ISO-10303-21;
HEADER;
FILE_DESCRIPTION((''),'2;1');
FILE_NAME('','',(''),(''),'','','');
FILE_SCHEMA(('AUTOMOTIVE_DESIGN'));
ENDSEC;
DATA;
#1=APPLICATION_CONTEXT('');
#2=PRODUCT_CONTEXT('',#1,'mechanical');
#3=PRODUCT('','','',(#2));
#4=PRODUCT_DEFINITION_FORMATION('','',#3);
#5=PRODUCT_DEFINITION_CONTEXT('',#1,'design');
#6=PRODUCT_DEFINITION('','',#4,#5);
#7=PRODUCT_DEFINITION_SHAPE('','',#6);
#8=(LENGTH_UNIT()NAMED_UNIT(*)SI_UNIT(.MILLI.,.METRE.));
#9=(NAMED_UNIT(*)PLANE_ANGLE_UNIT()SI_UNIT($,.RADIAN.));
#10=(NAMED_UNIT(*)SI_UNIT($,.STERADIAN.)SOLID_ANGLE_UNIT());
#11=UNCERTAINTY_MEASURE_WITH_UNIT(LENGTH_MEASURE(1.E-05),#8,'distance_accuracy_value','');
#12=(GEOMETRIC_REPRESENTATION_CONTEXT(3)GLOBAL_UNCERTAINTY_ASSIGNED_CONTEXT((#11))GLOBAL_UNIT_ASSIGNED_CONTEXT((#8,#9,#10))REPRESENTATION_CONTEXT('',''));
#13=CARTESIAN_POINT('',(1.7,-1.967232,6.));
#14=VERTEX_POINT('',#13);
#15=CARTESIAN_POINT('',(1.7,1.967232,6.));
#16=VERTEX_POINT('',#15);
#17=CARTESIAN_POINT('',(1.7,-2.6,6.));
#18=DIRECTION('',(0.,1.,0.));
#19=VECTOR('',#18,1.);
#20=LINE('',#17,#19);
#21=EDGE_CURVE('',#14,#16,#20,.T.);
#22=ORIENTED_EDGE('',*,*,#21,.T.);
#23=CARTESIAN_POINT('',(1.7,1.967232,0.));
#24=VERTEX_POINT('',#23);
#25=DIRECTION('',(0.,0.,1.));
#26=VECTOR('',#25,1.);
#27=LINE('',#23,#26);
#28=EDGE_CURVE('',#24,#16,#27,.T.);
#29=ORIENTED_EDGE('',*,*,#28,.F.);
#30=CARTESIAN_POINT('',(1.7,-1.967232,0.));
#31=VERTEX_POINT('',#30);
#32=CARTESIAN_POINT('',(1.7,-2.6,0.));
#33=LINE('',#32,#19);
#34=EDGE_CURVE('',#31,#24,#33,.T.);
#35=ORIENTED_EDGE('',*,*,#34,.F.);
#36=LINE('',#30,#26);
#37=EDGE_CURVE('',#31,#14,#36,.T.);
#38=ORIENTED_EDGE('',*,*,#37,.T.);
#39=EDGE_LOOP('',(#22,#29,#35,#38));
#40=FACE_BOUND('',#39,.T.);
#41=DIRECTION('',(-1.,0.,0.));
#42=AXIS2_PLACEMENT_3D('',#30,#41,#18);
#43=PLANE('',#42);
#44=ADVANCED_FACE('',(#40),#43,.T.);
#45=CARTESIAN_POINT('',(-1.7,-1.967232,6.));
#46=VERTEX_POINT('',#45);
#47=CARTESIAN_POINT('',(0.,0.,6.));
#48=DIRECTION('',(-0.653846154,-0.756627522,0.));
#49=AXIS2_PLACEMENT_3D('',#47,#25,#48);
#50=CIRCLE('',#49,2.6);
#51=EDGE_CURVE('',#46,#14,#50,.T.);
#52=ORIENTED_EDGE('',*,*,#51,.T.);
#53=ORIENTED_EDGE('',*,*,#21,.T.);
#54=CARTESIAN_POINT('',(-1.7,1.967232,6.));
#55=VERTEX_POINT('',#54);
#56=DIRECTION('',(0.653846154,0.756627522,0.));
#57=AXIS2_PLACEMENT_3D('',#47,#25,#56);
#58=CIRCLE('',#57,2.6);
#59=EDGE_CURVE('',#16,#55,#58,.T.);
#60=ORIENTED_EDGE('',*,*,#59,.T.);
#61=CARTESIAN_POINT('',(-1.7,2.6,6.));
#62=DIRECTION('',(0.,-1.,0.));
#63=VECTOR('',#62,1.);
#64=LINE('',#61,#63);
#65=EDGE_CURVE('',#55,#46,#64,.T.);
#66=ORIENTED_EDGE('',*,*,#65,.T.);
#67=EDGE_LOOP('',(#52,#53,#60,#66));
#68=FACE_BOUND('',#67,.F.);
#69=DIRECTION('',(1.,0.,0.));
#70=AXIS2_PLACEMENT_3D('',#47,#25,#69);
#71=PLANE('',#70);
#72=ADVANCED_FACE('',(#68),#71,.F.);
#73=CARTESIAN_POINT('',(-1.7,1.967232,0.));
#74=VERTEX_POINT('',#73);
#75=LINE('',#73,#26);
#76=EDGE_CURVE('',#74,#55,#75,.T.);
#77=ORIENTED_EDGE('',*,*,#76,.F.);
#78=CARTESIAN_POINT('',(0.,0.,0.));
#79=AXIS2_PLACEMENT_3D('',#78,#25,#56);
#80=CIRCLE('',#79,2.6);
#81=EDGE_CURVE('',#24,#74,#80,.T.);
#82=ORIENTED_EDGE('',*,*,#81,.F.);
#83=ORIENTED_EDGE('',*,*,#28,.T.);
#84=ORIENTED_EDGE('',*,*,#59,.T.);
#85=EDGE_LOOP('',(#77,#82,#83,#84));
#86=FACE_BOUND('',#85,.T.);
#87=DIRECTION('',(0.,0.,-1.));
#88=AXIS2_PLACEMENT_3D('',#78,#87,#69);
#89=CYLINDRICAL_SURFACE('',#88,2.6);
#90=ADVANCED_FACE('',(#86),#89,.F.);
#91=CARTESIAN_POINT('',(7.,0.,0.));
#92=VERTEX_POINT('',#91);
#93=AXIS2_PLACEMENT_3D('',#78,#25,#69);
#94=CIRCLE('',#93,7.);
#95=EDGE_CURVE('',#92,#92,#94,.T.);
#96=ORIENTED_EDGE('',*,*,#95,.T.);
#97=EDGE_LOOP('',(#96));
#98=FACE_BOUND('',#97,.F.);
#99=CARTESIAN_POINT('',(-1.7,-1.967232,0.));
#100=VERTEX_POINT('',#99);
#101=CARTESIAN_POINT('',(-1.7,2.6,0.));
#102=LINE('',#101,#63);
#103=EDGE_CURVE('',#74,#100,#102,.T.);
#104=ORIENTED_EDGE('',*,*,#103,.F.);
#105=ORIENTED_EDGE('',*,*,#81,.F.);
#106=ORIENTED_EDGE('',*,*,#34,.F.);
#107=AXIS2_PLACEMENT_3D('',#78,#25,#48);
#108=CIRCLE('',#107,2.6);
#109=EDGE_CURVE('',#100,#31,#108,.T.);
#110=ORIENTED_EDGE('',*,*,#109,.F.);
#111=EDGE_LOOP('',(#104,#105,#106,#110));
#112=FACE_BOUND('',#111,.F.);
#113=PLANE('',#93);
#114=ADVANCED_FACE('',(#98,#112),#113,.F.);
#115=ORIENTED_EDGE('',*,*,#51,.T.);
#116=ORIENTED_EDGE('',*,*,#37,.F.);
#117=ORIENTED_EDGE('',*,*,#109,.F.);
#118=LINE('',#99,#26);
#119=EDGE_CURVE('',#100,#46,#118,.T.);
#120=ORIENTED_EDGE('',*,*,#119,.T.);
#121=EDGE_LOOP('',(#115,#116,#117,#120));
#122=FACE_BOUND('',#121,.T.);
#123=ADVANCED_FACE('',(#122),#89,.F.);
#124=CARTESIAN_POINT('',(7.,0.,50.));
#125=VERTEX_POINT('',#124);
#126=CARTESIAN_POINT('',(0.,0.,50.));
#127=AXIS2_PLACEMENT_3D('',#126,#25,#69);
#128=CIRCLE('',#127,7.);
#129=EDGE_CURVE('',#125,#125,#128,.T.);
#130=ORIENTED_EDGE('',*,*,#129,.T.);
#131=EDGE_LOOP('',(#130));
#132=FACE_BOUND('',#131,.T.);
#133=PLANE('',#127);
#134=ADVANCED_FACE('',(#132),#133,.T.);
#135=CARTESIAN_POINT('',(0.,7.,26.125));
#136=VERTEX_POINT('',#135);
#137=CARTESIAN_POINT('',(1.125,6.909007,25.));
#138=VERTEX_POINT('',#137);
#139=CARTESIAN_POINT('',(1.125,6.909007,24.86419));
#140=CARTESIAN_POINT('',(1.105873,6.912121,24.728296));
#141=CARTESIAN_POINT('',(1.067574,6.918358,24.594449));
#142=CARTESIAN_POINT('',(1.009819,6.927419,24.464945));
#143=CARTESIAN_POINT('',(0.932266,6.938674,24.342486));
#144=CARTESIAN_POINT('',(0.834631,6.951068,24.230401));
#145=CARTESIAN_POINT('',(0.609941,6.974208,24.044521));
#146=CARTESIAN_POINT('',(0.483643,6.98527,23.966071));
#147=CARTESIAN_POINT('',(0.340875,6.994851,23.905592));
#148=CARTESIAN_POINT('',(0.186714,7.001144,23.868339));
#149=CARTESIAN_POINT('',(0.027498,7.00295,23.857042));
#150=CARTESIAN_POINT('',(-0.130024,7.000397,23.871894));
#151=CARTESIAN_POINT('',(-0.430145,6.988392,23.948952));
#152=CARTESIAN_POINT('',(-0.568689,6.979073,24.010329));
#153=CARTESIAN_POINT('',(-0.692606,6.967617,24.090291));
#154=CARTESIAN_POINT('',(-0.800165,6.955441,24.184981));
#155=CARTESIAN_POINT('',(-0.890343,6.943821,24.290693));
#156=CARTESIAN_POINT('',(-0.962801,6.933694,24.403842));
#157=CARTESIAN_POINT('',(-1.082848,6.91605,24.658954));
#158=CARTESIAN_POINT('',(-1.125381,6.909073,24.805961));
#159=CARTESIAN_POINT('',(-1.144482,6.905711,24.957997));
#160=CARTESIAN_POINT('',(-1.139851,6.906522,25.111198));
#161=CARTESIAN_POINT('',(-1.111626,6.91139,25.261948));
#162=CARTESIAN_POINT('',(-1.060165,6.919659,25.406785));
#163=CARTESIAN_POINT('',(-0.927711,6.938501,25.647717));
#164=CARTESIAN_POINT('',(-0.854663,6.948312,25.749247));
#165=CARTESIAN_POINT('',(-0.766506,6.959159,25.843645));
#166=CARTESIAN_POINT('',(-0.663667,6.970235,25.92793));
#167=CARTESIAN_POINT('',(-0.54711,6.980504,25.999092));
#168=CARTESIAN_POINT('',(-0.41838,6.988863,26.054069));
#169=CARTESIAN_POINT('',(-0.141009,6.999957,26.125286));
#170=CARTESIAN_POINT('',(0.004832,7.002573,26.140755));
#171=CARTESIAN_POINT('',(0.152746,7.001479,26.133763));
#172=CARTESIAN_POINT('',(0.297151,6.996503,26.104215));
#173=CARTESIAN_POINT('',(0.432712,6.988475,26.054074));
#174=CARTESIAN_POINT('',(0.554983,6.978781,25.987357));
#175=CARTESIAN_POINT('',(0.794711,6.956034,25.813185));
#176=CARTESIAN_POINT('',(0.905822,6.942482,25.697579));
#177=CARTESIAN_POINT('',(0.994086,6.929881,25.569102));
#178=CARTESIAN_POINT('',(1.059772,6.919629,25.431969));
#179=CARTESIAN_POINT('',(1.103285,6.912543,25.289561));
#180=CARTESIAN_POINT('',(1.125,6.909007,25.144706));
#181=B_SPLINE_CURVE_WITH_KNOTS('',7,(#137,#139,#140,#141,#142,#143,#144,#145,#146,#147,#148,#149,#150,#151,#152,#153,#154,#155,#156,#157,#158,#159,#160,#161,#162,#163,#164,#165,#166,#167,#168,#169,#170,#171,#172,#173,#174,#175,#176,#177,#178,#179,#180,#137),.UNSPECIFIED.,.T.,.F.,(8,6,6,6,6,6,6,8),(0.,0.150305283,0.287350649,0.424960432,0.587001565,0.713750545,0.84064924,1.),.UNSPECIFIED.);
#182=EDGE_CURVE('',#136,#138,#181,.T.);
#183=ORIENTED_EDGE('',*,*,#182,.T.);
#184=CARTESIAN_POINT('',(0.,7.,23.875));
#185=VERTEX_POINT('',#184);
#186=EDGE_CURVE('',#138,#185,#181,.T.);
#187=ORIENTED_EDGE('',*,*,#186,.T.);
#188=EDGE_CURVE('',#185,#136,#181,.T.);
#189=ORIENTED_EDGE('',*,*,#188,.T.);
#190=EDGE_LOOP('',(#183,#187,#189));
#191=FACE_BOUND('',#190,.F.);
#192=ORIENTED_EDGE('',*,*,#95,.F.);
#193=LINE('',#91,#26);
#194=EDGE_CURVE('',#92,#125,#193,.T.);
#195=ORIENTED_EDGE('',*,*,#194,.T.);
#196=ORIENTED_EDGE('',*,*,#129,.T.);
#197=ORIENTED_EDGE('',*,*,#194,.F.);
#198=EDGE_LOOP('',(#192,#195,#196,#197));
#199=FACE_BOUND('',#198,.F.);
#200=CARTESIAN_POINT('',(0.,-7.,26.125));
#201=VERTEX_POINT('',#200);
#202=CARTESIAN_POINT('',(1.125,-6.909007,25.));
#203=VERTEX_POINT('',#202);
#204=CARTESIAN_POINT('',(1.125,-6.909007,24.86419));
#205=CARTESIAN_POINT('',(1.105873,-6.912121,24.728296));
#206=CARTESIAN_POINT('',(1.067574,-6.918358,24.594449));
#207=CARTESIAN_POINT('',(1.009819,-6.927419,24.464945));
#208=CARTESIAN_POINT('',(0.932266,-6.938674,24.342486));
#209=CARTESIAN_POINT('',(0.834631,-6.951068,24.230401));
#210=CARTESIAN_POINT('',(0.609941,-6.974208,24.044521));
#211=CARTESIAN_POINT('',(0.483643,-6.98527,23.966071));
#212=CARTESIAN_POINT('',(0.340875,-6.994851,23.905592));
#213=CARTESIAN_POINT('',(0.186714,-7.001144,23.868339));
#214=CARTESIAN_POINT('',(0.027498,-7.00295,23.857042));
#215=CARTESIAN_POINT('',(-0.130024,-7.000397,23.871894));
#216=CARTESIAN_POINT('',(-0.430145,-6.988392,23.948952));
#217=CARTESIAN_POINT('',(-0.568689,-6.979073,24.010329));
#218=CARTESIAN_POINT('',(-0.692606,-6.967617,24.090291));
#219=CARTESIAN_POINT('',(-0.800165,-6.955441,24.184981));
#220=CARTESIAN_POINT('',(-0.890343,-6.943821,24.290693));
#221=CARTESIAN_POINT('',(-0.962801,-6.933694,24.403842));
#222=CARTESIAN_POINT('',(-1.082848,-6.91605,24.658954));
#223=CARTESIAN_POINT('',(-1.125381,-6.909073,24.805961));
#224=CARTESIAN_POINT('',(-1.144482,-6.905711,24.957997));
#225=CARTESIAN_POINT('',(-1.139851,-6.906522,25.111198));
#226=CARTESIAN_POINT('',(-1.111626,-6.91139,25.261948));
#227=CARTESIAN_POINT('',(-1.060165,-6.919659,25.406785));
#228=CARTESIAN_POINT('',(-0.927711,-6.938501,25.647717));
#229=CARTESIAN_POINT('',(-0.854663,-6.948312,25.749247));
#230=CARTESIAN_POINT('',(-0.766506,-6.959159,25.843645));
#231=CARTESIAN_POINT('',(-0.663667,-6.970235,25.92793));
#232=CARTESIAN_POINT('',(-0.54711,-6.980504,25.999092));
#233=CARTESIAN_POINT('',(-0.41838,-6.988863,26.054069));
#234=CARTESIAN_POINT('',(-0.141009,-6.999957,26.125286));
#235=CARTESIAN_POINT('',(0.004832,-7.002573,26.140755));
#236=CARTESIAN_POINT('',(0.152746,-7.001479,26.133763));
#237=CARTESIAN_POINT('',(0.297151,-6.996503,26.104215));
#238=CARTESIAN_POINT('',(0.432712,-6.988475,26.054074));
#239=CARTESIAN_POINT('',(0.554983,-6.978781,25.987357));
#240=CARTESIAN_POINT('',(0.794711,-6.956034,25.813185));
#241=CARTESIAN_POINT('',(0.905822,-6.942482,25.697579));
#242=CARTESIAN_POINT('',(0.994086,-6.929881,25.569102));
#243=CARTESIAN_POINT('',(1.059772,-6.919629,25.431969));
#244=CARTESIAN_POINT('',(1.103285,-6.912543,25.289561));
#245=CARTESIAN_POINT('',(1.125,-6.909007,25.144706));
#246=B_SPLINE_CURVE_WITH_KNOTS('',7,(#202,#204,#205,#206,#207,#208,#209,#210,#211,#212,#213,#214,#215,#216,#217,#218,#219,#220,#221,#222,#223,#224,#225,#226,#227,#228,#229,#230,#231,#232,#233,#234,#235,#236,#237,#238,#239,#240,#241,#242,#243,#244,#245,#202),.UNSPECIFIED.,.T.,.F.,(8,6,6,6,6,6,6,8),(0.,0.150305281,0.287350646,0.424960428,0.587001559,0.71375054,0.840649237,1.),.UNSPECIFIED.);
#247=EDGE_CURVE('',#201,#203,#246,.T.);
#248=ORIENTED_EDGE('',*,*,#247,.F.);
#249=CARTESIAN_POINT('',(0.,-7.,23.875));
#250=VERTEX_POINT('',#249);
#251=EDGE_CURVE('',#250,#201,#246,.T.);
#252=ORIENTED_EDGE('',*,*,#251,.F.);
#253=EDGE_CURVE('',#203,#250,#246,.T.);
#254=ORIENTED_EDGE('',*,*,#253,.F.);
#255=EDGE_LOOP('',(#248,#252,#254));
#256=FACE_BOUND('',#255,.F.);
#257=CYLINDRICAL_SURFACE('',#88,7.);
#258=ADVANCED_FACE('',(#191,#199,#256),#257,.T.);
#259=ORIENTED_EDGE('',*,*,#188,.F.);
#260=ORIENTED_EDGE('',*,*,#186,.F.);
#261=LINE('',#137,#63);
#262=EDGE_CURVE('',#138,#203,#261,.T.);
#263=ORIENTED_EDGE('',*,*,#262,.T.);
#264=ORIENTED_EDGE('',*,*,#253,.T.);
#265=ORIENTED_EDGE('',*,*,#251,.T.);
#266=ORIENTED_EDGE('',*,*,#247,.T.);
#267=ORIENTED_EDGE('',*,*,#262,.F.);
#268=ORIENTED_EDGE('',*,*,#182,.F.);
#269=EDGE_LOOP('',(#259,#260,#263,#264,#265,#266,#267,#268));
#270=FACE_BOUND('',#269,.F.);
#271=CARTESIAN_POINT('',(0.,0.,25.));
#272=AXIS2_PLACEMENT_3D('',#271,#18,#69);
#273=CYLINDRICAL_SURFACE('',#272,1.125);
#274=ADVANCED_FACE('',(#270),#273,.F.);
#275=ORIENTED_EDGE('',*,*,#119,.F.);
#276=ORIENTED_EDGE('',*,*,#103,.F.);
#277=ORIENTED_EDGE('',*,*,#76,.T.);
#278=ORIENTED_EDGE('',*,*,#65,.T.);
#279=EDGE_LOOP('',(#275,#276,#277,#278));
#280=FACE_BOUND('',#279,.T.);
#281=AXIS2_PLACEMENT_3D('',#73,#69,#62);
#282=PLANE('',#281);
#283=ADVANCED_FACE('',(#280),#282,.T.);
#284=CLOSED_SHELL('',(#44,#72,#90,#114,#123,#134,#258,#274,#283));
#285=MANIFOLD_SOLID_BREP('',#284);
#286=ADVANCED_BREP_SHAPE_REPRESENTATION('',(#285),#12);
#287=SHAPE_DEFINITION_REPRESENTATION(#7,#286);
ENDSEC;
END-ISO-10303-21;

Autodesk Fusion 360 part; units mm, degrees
sketch "Sketch1" plane through (0, 0, 0) normal (0, 0, 1) x (1, 0, 0) in component "Shaft"
  circle A0 centre (0, 0) radius 7
  dimension "d4" = 14
extrude "Extrude1" add sketch "Sketch1" along normal blind 50 in component "Shaft"
sketch "Sketch2" plane through (0, 0, 0) normal (0, 0, 1) x (1, 0, 0) in component "Shaft"
  circle A0 centre (0, 0) radius 2.6
  line L0 (1.7, 2.6) -> (-1.7, 2.6)
  line L1 (-1.7, 2.6) -> (-1.7, -2.6)
  line L2 (-1.7, -2.6) -> (1.7, -2.6)
  line L3 (1.7, -2.6) -> (1.7, 2.6)
  line L4 (1.7, 2.6) -> (-1.7, -2.6) construction
  line L5 (-1.7, 2.6) -> (1.7, -2.6) construction
  dimension "d8" = 5.2
  dimension "d9" = 3.4
  dimension "d10" = 5.2
extrude "Extrude2" cut sketch "Sketch2" along normal blind 6 contours A0 L1 L3 in component "Shaft"
sketch "Sketch3" plane through (0, 0, 0) normal (0, 1, 0) x (1, 0, 0) in component "Shaft"
  line L0 (-7, -50) -> (7, -50)
  line L1 (0, 0) -> (0, -50) construction
  circle A0 centre (0, -25) radius 1.125
  dimension "d15" = 50
  dimension "d16" = 2.25
extrude "Extrude3" cut sketch "Sketch3" along normal blind 7 and the other way blind 7 in component "Shaft"
component "Shaft" placed x (1, 0, 0) y (0, 1, 0) z (0, 0, 1) at (0, 0, 0)
equation "shaftOuterDiameter = 14 mm"
equation "shaftInnerDiameter = 5.2 mm"
equation "shaftInnerSmallDiameter = 3.4 mm"
equation "d4 = shaftOuterDiameter"
equation "shaftHeight = 50 mm"
equation "d6 = shaftHeight"
equation "d8 = shaftInnerDiameter"
equation "d9 = shaftInnerSmallDiameter"
equation "d10 = shaftInnerDiameter"
equation "shaftSmallDepth = 6 mm"
equation "d12 = shaftSmallDepth"
equation "shaftDrillHole = 2.25 mm"
equation "d15 = shaftHeight"
equation "d16 = shaftDrillHole"
equation "d17 = shaftOuterDiameter / 2"
equation "d19 = shaftOuterDiameter / 2"
